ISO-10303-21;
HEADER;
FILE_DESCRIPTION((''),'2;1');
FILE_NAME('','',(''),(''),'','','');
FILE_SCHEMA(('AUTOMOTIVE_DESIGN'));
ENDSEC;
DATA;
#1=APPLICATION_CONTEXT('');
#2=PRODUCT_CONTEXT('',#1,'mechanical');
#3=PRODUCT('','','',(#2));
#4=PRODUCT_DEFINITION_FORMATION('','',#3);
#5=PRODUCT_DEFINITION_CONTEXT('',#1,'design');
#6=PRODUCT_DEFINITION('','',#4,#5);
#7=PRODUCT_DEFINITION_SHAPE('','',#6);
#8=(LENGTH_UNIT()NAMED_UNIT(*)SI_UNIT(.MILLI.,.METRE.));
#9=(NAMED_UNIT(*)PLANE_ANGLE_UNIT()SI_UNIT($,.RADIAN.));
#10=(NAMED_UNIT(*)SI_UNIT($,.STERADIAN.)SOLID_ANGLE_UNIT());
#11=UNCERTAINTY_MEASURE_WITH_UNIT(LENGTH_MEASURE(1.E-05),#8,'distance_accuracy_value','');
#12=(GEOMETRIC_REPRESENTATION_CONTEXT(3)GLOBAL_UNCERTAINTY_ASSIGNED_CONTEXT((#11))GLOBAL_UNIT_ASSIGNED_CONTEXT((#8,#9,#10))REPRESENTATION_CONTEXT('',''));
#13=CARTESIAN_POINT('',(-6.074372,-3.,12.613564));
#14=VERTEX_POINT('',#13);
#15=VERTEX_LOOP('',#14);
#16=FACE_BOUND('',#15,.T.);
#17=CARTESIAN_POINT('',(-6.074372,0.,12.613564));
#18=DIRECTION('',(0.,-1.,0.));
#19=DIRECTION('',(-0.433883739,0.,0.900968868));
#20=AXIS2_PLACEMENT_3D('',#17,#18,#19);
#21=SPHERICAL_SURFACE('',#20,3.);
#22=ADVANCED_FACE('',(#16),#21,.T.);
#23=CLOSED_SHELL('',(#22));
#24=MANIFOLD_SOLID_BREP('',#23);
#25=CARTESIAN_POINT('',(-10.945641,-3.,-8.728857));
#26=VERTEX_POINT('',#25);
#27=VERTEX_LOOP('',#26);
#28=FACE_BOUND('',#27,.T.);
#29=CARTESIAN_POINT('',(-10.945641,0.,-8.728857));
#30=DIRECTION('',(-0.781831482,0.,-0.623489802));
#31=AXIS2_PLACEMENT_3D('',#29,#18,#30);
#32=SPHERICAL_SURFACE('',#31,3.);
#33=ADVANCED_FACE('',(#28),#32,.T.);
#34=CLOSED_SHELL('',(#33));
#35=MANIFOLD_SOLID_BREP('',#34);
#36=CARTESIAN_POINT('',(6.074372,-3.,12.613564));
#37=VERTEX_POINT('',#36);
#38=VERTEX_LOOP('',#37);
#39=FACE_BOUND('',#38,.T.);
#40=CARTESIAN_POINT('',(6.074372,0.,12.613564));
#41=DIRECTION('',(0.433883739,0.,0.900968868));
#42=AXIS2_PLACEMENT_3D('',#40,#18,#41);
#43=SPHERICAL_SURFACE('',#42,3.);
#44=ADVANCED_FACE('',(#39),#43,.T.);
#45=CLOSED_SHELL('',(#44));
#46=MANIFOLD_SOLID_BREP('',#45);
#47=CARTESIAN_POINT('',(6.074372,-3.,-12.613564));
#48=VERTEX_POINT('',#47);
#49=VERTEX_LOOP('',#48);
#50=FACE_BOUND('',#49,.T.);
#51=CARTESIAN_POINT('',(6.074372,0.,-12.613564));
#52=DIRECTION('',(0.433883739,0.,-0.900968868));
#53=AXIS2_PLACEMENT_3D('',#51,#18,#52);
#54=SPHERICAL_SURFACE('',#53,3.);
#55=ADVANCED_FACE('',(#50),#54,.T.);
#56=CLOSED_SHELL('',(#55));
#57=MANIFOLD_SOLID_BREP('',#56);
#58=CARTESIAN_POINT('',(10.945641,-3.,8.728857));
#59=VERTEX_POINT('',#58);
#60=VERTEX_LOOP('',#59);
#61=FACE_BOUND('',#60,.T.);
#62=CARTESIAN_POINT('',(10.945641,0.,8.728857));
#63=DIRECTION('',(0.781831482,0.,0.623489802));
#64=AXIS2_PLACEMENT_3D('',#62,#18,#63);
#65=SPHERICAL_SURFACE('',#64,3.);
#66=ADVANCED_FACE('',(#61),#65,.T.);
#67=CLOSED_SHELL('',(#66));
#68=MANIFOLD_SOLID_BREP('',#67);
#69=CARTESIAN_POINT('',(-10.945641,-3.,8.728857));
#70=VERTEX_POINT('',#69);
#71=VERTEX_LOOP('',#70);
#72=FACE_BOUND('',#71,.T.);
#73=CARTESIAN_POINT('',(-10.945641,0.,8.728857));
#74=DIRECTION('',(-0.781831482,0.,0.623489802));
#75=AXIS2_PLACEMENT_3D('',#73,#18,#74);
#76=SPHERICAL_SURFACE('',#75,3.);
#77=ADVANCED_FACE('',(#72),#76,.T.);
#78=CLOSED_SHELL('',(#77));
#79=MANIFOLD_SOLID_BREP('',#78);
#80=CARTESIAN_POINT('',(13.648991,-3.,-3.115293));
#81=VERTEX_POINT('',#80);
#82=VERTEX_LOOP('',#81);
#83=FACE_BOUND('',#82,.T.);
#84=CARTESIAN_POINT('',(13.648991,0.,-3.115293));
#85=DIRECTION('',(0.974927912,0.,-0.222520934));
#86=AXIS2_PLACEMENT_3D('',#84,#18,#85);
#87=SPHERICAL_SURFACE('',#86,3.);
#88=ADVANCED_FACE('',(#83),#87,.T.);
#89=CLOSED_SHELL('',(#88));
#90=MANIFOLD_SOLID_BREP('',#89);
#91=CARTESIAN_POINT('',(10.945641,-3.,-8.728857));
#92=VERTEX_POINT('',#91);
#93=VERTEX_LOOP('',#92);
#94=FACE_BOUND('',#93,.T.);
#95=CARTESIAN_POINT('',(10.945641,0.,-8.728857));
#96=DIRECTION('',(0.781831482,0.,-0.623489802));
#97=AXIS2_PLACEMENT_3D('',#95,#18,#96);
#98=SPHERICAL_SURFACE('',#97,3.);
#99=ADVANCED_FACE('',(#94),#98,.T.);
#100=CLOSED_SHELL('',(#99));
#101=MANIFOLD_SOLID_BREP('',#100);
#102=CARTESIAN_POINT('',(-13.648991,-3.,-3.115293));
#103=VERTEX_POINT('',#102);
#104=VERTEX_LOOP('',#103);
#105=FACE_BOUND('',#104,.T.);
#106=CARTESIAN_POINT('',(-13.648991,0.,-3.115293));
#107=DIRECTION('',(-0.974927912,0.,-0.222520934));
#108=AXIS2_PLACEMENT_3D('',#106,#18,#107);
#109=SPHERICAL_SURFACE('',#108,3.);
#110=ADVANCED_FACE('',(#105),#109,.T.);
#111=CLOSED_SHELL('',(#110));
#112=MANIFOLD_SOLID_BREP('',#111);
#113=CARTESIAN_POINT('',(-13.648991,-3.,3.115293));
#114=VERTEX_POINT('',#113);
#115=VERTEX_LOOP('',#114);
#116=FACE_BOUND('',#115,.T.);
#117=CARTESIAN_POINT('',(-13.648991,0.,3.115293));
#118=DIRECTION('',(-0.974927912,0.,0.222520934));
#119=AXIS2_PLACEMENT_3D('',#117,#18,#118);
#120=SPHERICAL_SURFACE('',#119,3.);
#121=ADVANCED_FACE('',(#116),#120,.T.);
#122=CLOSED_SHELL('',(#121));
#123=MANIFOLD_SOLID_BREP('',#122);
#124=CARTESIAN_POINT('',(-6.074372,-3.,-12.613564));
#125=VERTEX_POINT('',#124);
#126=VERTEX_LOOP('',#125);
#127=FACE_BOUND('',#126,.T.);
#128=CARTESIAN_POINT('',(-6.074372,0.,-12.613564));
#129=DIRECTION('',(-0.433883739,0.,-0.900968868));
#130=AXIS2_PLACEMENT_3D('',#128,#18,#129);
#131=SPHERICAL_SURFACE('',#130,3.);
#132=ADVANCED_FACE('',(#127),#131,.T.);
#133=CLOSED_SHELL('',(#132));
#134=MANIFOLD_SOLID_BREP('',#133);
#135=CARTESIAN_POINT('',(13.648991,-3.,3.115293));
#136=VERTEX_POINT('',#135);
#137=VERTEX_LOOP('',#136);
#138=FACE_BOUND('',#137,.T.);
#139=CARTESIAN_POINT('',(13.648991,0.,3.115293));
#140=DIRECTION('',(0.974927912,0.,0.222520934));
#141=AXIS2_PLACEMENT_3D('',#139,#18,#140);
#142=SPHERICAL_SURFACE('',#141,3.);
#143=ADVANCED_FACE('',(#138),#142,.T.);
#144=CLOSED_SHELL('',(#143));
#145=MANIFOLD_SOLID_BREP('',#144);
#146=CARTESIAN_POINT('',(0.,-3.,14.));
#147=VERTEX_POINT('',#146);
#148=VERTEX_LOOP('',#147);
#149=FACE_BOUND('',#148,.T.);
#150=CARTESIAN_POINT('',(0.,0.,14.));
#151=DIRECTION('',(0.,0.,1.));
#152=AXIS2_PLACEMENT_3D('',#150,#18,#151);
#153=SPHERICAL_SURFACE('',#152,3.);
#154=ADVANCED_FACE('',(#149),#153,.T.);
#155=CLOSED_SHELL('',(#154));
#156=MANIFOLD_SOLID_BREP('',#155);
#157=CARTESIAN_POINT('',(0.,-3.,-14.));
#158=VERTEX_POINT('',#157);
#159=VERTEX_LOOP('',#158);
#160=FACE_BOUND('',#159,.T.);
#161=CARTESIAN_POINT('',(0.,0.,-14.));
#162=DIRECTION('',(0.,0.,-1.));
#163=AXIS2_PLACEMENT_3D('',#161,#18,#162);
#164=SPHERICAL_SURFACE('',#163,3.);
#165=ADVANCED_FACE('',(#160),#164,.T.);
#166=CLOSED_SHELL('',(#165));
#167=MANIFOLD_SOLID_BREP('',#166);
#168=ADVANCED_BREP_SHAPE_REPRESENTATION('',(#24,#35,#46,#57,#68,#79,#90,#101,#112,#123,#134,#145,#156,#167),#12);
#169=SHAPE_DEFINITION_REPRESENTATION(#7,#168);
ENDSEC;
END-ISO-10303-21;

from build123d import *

# Parameters (mm, degrees)
CIRPATTERN2_COUNT = 14


with BuildPart() as part:
    # Sketch2 → Revolve1 (revolve)
    with BuildSketch(Plane.YZ):
        with BuildLine():
            ThreePointArc((3, 14), (0, 17), (-3, 14))
            Line((-3, 14), (3, 14))
        make_face()
    revolve(axis=Axis((0, -3, 14), (0, 1, 0)))


with BuildPart() as cirpattern2_1:
    # CirPattern2: pattern copy
    add(part.part.rotate(Axis((0, -31.815276748, 0), (0, 1, 0)), 1 * 360 / CIRPATTERN2_COUNT))


with BuildPart() as cirpattern2_2:
    # CirPattern2: pattern copy
    add(part.part.rotate(Axis((0, -31.815276748, 0), (0, 1, 0)), 2 * 360 / CIRPATTERN2_COUNT))


with BuildPart() as cirpattern2_3:
    # CirPattern2: pattern copy
    add(part.part.rotate(Axis((0, -31.815276748, 0), (0, 1, 0)), 3 * 360 / CIRPATTERN2_COUNT))


with BuildPart() as cirpattern2_4:
    # CirPattern2: pattern copy
    add(part.part.rotate(Axis((0, -31.815276748, 0), (0, 1, 0)), 4 * 360 / CIRPATTERN2_COUNT))


with BuildPart() as cirpattern2_5:
    # CirPattern2: pattern copy
    add(part.part.rotate(Axis((0, -31.815276748, 0), (0, 1, 0)), 5 * 360 / CIRPATTERN2_COUNT))


with BuildPart() as cirpattern2_6:
    # CirPattern2: pattern copy
    add(part.part.rotate(Axis((0, -31.815276748, 0), (0, 1, 0)), 6 * 360 / CIRPATTERN2_COUNT))


with BuildPart() as cirpattern2_7:
    # CirPattern2: pattern copy
    add(part.part.rotate(Axis((0, -31.815276748, 0), (0, 1, 0)), 7 * 360 / CIRPATTERN2_COUNT))


with BuildPart() as cirpattern2_8:
    # CirPattern2: pattern copy
    add(part.part.rotate(Axis((0, -31.815276748, 0), (0, 1, 0)), 8 * 360 / CIRPATTERN2_COUNT))


with BuildPart() as cirpattern2_9:
    # CirPattern2: pattern copy
    add(part.part.rotate(Axis((0, -31.815276748, 0), (0, 1, 0)), 9 * 360 / CIRPATTERN2_COUNT))


with BuildPart() as cirpattern2_10:
    # CirPattern2: pattern copy
    add(part.part.rotate(Axis((0, -31.815276748, 0), (0, 1, 0)), 10 * 360 / CIRPATTERN2_COUNT))


with BuildPart() as cirpattern2_11:
    # CirPattern2: pattern copy
    add(part.part.rotate(Axis((0, -31.815276748, 0), (0, 1, 0)), 11 * 360 / CIRPATTERN2_COUNT))


with BuildPart() as cirpattern2_12:
    # CirPattern2: pattern copy
    add(part.part.rotate(Axis((0, -31.815276748, 0), (0, 1, 0)), 12 * 360 / CIRPATTERN2_COUNT))


with BuildPart() as cirpattern2_13:
    # CirPattern2: pattern copy
    add(part.part.rotate(Axis((0, -31.815276748, 0), (0, 1, 0)), 13 * 360 / CIRPATTERN2_COUNT))


solid = Compound([part.part, cirpattern2_1.part, cirpattern2_2.part, cirpattern2_3.part, cirpattern2_4.part, cirpattern2_5.part, cirpattern2_6.part, cirpattern2_7.part, cirpattern2_8.part, cirpattern2_9.part, cirpattern2_10.part, cirpattern2_11.part, cirpattern2_12.part, cirpattern2_13.part])
